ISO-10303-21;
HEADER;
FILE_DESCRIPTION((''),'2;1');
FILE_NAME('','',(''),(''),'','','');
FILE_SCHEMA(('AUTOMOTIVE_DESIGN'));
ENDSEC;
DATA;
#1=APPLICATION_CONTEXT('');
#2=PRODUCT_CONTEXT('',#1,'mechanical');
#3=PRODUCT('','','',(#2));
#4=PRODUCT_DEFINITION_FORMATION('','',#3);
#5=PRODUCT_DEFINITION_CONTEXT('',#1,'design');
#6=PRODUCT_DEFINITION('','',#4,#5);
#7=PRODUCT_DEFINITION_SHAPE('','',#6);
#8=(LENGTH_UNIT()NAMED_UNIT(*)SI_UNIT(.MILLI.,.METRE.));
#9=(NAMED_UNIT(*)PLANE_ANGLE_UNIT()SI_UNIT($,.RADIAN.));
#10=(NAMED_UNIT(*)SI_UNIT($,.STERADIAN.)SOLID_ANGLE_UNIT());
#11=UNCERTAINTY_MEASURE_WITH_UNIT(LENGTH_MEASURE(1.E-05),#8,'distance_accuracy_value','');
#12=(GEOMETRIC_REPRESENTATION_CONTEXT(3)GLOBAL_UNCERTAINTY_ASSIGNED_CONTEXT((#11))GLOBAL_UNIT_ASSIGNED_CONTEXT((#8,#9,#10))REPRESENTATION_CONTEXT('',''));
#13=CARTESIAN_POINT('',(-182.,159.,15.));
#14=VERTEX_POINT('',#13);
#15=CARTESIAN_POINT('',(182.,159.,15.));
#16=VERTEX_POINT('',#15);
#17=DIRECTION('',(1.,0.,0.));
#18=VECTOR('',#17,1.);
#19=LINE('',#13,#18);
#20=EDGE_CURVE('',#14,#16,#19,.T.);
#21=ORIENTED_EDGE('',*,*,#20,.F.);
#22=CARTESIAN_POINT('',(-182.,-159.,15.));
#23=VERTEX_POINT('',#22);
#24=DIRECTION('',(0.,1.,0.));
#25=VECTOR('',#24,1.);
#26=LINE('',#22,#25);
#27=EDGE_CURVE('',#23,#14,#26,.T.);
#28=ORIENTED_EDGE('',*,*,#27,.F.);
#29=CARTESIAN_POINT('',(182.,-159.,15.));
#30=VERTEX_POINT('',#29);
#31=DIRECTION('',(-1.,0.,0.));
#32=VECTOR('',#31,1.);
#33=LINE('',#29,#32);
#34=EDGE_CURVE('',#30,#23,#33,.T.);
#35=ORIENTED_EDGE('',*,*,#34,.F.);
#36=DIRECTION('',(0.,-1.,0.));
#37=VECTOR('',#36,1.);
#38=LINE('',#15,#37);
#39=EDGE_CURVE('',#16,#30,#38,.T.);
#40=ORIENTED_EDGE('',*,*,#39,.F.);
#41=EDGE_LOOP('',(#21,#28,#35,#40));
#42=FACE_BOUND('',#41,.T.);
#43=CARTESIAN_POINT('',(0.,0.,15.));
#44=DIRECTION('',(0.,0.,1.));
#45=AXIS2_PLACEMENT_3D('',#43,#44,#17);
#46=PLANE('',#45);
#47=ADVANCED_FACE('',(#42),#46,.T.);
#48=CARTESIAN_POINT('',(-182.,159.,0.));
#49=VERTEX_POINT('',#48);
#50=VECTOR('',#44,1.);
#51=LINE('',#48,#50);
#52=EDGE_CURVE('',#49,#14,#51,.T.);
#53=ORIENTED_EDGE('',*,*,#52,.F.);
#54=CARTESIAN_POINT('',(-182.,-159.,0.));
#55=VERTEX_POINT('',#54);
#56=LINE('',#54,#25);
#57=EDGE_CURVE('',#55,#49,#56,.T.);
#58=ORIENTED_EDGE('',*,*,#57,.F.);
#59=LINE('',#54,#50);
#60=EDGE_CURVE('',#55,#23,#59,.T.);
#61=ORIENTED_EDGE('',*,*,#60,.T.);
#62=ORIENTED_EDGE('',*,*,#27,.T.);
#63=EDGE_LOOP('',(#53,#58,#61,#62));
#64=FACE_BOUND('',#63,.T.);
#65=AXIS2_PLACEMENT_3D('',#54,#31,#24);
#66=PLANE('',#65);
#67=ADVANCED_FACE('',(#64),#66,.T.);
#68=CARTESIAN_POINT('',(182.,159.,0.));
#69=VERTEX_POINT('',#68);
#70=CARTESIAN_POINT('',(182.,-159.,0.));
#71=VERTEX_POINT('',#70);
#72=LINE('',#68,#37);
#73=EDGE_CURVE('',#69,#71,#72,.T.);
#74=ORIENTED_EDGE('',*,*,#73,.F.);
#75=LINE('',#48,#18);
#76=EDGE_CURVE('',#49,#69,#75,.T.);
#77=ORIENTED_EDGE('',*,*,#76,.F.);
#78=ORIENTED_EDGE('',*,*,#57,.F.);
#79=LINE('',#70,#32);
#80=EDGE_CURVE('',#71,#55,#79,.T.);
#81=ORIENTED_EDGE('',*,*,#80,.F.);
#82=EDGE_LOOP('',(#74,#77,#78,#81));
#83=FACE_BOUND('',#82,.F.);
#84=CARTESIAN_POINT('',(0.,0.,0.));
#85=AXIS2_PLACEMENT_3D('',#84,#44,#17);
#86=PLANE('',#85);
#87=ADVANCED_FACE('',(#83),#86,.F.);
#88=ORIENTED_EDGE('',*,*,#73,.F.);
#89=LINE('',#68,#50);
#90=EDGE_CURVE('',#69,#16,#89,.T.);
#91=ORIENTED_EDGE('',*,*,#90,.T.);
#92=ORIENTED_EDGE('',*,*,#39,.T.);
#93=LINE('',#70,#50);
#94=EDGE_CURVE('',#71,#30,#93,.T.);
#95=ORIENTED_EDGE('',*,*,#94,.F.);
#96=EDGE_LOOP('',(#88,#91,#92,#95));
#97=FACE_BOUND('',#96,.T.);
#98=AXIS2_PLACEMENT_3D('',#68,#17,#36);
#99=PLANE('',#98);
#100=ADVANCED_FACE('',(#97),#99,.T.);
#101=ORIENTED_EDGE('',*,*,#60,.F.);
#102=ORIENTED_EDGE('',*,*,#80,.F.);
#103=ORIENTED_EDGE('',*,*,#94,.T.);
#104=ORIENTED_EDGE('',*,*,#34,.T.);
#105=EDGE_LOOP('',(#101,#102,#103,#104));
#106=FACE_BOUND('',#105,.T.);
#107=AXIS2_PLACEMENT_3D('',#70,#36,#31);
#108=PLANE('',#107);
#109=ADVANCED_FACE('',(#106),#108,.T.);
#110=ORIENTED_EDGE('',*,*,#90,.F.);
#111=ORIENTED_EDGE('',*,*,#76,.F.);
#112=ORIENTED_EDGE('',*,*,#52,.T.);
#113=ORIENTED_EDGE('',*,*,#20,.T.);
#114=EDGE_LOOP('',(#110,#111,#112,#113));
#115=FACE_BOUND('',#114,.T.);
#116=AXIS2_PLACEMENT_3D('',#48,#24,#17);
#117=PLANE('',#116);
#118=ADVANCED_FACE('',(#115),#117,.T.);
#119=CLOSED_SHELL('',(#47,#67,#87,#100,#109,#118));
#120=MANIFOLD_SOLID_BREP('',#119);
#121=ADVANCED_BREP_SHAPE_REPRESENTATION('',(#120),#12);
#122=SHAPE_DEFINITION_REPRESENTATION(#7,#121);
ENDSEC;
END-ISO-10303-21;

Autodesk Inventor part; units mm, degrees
ref_plane "YZ Plane" through (0, 0, 0) normal (1, 0, 0) x (0, 1, 0)
ref_plane "XZ Plane" through (0, 0, 0) normal (0, 1, 0) x (-1, 0, 0)
ref_plane "XY Plane" through (0, 0, 0) normal (0, 0, 1) x (1, 0, 0)
sketch "Skizze1" plane through (0, 0, 0) normal (0, 0, 1) x (1, 0, 0)
  line L0 (182, -159) -> (-182, -159)
  line L1 (-182, -159) -> (-182, 159)
  line L2 (-182, 159) -> (182, 159)
  line L3 (182, 159) -> (182, -159)
  line L4 (182, -159) -> (-182, 159) construction
  line L5 (-182, -159) -> (182, 159) construction
  point P0 (0, 0)
  dimension "d0" = 318
  dimension "d1" = 364
extrude "Extrusion1" add sketch "Skizze1" along normal blind 15
equation "\"d1\" = case_width - 2 * case_thickness"
equation "\"d2\" = inner_thickness"
equation "\"kg_thickness\" = 4.9"
equation "\"ht_thickness\" = 1.9"
equation "\"case_thickness\" = 18"
equation "\"inner_thickness\" = 15"
equation "\"gap_fit\" = 0.1"
equation "\"gap_slide\" = 0.2"
equation "\"gap_air\" = 1"
equation "\"bore_diameter\" = 73"
equation "\"mdf_thickness\" = 6"
equation "\"tape_width\" = 15"
equation "\"tape_thickness\" = 3"
equation "\"inner_depth\" = 255"
equation "\"case_width\" = 400"
properties part number "Korpus_Einbau_Rücken"
